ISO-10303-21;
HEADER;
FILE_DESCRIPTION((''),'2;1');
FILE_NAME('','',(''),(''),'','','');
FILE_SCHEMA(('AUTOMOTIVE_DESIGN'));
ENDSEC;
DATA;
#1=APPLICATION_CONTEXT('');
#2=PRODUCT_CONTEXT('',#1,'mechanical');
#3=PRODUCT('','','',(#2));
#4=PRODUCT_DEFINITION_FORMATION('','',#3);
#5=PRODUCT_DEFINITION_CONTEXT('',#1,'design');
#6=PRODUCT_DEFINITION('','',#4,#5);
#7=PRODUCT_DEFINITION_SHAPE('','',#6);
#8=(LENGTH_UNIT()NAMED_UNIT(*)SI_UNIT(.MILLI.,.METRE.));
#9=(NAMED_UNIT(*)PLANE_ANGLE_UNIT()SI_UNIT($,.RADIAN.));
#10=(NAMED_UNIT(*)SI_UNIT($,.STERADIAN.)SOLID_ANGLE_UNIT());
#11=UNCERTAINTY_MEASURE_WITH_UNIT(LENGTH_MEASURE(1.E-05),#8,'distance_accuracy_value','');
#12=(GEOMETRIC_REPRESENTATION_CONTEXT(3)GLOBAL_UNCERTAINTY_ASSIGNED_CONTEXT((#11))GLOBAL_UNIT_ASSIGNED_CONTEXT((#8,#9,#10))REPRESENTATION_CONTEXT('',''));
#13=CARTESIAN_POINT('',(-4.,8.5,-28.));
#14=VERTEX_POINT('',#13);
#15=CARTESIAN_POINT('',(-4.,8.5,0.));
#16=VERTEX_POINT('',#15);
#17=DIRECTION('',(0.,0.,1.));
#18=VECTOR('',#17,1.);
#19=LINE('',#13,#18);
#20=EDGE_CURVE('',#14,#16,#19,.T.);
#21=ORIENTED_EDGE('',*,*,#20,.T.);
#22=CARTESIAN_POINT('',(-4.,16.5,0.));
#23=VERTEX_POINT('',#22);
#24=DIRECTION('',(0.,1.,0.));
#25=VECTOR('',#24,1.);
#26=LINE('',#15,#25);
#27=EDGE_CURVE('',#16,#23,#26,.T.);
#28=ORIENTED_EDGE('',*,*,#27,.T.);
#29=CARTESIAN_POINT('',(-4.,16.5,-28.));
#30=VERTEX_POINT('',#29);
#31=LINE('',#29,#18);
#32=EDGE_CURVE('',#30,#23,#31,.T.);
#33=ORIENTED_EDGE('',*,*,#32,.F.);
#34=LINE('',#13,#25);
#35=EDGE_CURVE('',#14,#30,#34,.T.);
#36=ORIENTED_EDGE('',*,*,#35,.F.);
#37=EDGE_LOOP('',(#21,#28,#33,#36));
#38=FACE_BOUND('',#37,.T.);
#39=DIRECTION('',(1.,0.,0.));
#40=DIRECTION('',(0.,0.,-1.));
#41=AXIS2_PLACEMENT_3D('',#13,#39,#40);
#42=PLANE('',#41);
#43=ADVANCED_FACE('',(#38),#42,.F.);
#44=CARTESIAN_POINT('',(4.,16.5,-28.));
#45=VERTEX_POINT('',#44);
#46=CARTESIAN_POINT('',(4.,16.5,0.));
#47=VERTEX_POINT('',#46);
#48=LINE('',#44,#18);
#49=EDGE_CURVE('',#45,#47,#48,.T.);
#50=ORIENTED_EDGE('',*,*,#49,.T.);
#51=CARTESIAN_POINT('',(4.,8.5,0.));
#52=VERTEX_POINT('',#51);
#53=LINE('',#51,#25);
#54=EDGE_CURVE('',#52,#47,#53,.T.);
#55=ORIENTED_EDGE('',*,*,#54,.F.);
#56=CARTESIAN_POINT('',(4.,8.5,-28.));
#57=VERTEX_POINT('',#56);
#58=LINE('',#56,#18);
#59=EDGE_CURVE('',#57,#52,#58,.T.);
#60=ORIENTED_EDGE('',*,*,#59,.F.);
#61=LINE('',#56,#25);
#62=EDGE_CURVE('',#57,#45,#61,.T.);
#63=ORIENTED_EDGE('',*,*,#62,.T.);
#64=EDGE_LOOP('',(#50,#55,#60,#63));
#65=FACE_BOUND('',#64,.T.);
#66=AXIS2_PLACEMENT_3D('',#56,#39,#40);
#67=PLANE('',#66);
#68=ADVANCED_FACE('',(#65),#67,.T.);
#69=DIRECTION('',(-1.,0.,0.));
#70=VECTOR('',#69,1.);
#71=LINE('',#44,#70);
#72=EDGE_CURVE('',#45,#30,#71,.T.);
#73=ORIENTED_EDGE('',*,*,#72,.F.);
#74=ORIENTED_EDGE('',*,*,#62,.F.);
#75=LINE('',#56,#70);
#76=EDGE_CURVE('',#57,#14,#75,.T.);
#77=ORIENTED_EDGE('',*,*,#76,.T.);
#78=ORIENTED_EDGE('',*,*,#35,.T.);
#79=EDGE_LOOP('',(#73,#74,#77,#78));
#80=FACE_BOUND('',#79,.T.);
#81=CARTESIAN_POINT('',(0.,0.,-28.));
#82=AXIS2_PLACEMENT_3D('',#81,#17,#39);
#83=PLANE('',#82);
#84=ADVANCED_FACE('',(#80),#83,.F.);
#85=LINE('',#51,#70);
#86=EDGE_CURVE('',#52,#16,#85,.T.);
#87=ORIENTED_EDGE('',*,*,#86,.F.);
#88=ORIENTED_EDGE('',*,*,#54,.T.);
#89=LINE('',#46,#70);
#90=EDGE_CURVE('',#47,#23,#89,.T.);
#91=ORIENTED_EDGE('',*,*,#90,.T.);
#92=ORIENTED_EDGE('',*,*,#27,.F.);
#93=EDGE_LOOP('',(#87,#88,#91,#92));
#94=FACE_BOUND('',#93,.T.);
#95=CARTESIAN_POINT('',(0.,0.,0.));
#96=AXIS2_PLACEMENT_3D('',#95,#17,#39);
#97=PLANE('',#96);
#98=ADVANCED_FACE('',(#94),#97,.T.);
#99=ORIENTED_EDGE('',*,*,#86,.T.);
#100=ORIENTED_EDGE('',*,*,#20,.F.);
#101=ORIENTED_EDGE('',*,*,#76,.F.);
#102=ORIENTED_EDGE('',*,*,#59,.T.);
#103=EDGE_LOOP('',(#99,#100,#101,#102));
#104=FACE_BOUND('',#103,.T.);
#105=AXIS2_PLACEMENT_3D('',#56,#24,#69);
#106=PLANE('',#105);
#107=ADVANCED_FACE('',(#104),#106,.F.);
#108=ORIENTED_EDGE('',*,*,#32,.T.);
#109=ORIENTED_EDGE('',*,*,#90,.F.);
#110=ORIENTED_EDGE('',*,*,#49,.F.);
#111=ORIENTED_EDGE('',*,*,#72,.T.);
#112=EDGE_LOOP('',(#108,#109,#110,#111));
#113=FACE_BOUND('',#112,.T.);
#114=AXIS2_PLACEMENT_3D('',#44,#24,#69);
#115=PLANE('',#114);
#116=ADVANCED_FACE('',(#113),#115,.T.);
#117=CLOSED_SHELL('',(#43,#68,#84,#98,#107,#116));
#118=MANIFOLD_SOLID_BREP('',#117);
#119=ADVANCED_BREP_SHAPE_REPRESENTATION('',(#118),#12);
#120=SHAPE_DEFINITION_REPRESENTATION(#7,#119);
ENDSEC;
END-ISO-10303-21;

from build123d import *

# Parameters (mm, degrees)
SKETCH_1_W      = 8
SKETCH_1_H      = 8
EXTRUDE_1_DEPTH = 28


with BuildPart() as part:
    # Эскиз1 → Бобышка-Вытянуть1 (new body)
    with BuildSketch(Plane.XY):
        with Locations((0, 12.5)):
            Rectangle(SKETCH_1_W, SKETCH_1_H)
    extrude(amount=-EXTRUDE_1_DEPTH)


solid = part.part
